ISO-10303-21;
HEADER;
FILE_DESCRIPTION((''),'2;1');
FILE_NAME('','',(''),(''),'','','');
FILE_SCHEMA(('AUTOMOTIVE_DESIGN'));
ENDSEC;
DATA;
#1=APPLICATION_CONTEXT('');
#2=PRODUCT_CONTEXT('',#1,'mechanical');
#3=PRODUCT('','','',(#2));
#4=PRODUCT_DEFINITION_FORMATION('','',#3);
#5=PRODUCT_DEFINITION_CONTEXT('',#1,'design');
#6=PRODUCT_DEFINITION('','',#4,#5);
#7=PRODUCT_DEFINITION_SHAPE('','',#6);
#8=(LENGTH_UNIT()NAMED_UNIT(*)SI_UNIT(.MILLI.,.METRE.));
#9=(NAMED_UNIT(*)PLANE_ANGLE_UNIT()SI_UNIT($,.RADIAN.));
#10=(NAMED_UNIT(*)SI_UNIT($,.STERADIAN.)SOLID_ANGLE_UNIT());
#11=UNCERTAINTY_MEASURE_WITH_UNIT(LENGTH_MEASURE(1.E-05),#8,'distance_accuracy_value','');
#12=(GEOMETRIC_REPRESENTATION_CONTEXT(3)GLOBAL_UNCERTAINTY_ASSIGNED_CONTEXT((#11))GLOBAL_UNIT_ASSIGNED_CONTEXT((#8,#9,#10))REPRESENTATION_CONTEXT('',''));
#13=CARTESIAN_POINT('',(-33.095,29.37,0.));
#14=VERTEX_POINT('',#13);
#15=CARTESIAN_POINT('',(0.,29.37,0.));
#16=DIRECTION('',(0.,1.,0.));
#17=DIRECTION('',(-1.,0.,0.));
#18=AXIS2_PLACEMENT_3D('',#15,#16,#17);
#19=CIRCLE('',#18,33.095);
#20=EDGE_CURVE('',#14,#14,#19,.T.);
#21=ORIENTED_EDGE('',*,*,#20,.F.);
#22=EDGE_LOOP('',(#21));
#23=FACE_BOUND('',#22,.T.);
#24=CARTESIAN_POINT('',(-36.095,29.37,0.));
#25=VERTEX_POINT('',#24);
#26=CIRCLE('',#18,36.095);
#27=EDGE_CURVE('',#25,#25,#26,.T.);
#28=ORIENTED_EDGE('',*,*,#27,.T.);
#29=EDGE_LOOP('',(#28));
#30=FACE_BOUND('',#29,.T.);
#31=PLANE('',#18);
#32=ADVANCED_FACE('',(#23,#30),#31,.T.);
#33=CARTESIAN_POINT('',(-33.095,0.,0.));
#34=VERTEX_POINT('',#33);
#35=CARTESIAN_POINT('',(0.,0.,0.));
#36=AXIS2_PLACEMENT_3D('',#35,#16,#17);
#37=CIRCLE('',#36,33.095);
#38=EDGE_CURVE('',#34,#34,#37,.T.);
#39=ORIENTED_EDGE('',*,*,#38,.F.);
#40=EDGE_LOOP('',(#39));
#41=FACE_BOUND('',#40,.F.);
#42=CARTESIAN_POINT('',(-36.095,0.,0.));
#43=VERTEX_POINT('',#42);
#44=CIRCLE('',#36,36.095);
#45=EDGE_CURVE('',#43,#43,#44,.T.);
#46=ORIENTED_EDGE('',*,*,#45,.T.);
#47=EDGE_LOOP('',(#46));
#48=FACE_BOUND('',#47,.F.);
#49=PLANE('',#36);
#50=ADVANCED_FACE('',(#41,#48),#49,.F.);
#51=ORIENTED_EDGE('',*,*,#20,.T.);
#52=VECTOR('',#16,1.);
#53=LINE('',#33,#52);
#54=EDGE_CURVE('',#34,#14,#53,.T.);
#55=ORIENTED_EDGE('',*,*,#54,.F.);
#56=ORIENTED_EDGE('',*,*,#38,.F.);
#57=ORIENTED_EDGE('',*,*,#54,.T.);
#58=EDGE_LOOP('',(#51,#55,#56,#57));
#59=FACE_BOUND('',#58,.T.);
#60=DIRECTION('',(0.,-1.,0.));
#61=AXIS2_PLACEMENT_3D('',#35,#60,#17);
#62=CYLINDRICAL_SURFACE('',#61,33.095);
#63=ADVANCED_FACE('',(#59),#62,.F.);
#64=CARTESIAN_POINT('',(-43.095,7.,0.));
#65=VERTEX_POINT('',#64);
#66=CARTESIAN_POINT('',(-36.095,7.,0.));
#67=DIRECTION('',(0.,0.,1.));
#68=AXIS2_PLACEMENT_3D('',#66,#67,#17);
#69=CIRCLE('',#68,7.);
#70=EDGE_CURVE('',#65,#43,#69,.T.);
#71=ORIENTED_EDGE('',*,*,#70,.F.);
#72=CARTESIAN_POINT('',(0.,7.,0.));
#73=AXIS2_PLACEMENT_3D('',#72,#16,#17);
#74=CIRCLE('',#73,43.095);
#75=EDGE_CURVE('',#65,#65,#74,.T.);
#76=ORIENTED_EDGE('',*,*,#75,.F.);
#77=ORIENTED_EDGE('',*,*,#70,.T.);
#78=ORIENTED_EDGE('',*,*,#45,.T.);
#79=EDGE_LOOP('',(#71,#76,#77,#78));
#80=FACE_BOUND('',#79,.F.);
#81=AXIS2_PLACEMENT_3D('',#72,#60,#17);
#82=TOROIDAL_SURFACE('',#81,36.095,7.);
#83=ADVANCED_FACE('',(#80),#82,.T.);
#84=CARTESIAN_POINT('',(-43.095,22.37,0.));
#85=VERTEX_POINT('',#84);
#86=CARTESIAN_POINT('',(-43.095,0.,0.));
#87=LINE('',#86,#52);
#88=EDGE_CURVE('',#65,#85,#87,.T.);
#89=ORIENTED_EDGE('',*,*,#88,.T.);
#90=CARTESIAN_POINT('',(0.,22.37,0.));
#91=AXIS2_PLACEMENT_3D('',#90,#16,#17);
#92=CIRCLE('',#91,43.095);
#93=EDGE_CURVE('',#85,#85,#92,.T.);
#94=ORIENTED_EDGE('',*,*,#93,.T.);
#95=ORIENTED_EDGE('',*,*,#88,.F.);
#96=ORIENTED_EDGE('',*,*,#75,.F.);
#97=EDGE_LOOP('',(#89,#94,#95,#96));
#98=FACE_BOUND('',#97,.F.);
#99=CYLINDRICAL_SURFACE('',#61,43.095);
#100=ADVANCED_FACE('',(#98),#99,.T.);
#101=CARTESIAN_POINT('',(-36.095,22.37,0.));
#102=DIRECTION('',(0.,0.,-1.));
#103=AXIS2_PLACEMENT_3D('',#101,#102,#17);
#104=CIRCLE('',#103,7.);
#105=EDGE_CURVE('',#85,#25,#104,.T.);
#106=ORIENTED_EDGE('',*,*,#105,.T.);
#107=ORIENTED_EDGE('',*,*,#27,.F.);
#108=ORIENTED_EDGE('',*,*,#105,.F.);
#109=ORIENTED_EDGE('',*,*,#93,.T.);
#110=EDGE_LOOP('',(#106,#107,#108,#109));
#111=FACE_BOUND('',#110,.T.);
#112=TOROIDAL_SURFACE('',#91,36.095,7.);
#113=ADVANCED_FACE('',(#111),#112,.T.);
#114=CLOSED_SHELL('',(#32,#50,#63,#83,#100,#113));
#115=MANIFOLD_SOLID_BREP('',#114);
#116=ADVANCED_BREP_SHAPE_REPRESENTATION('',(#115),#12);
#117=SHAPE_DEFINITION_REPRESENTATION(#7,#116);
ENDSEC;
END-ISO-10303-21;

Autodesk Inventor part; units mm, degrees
ref_plane "YZ Plane" through (0, 0, 0) normal (1, 0, 0) x (0, 1, 0)
ref_plane "XZ Plane" through (0, 0, 0) normal (0, 1, 0) x (-1, 0, 0)
ref_plane "XY Plane" through (0, 0, 0) normal (0, 0, 1) x (1, 0, 0)
sketch "Sketch1" plane through (0, 0, 0) normal (0, 1, 0) x (-1, 0, 0)
  circle A0 centre (0, 0) radius 33.095
  circle A1 centre (0, 0) radius 43.095
  dimension "d0" = 66.19
  dimension "d1" = 10
extrude "Extrusion1" add sketch "Sketch1" along normal blind 29.37
fillet "Fillet1" radius 7 2 edges at (43.095, 29.37, 0) (43.095, 0, 0)
properties part number "Thin Wheel Tire"
